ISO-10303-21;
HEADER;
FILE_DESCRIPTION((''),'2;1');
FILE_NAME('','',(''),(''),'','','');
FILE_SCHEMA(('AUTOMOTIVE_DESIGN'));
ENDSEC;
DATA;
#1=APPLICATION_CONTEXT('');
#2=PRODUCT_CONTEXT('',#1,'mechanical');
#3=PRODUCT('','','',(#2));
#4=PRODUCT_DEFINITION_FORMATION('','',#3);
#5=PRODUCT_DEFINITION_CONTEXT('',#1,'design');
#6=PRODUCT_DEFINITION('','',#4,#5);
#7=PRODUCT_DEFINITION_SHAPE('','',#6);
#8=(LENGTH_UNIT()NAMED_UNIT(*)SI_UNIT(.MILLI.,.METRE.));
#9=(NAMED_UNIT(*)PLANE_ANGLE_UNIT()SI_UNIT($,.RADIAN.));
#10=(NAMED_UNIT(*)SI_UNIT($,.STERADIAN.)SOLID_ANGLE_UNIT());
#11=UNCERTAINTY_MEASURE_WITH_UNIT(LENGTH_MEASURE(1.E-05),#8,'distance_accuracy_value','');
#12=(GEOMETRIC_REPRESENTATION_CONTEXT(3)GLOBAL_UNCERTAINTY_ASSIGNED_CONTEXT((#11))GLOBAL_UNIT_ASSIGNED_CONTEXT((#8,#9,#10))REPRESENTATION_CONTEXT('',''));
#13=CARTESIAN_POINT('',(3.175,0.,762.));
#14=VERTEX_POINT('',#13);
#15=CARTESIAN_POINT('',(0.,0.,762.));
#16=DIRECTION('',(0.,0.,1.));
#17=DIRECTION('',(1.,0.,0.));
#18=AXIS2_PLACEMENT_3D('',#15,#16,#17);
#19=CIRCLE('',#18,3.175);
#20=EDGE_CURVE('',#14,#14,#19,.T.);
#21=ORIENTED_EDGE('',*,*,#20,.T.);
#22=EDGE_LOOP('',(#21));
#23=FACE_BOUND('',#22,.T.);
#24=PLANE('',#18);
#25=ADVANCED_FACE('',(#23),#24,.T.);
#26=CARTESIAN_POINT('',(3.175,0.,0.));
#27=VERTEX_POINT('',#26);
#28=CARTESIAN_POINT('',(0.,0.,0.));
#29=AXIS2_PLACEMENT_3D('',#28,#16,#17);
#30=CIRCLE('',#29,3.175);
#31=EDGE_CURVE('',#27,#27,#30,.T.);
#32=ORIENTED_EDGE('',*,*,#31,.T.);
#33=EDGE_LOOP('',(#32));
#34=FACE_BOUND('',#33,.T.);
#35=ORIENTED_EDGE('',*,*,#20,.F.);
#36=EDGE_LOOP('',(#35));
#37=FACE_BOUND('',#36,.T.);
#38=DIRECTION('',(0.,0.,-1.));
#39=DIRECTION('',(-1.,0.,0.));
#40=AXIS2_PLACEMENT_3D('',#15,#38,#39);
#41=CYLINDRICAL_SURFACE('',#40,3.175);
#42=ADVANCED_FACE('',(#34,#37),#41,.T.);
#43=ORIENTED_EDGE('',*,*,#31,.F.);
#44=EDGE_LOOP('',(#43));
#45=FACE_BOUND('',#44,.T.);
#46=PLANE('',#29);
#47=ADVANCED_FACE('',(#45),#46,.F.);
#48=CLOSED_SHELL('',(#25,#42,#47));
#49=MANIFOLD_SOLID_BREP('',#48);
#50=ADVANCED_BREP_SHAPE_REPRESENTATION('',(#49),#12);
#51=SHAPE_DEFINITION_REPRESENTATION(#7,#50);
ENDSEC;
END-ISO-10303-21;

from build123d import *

# Parameters (mm, degrees)
SKETCH1_R           = 3.175
BOSS_EXTRUDE1_DEPTH = 762


with BuildPart() as part:
    # Sketch1 → Boss-Extrude1 (new body)
    with BuildSketch(Plane.XY):
        Circle(SKETCH1_R)
    extrude(amount=BOSS_EXTRUDE1_DEPTH)


solid = part.part
